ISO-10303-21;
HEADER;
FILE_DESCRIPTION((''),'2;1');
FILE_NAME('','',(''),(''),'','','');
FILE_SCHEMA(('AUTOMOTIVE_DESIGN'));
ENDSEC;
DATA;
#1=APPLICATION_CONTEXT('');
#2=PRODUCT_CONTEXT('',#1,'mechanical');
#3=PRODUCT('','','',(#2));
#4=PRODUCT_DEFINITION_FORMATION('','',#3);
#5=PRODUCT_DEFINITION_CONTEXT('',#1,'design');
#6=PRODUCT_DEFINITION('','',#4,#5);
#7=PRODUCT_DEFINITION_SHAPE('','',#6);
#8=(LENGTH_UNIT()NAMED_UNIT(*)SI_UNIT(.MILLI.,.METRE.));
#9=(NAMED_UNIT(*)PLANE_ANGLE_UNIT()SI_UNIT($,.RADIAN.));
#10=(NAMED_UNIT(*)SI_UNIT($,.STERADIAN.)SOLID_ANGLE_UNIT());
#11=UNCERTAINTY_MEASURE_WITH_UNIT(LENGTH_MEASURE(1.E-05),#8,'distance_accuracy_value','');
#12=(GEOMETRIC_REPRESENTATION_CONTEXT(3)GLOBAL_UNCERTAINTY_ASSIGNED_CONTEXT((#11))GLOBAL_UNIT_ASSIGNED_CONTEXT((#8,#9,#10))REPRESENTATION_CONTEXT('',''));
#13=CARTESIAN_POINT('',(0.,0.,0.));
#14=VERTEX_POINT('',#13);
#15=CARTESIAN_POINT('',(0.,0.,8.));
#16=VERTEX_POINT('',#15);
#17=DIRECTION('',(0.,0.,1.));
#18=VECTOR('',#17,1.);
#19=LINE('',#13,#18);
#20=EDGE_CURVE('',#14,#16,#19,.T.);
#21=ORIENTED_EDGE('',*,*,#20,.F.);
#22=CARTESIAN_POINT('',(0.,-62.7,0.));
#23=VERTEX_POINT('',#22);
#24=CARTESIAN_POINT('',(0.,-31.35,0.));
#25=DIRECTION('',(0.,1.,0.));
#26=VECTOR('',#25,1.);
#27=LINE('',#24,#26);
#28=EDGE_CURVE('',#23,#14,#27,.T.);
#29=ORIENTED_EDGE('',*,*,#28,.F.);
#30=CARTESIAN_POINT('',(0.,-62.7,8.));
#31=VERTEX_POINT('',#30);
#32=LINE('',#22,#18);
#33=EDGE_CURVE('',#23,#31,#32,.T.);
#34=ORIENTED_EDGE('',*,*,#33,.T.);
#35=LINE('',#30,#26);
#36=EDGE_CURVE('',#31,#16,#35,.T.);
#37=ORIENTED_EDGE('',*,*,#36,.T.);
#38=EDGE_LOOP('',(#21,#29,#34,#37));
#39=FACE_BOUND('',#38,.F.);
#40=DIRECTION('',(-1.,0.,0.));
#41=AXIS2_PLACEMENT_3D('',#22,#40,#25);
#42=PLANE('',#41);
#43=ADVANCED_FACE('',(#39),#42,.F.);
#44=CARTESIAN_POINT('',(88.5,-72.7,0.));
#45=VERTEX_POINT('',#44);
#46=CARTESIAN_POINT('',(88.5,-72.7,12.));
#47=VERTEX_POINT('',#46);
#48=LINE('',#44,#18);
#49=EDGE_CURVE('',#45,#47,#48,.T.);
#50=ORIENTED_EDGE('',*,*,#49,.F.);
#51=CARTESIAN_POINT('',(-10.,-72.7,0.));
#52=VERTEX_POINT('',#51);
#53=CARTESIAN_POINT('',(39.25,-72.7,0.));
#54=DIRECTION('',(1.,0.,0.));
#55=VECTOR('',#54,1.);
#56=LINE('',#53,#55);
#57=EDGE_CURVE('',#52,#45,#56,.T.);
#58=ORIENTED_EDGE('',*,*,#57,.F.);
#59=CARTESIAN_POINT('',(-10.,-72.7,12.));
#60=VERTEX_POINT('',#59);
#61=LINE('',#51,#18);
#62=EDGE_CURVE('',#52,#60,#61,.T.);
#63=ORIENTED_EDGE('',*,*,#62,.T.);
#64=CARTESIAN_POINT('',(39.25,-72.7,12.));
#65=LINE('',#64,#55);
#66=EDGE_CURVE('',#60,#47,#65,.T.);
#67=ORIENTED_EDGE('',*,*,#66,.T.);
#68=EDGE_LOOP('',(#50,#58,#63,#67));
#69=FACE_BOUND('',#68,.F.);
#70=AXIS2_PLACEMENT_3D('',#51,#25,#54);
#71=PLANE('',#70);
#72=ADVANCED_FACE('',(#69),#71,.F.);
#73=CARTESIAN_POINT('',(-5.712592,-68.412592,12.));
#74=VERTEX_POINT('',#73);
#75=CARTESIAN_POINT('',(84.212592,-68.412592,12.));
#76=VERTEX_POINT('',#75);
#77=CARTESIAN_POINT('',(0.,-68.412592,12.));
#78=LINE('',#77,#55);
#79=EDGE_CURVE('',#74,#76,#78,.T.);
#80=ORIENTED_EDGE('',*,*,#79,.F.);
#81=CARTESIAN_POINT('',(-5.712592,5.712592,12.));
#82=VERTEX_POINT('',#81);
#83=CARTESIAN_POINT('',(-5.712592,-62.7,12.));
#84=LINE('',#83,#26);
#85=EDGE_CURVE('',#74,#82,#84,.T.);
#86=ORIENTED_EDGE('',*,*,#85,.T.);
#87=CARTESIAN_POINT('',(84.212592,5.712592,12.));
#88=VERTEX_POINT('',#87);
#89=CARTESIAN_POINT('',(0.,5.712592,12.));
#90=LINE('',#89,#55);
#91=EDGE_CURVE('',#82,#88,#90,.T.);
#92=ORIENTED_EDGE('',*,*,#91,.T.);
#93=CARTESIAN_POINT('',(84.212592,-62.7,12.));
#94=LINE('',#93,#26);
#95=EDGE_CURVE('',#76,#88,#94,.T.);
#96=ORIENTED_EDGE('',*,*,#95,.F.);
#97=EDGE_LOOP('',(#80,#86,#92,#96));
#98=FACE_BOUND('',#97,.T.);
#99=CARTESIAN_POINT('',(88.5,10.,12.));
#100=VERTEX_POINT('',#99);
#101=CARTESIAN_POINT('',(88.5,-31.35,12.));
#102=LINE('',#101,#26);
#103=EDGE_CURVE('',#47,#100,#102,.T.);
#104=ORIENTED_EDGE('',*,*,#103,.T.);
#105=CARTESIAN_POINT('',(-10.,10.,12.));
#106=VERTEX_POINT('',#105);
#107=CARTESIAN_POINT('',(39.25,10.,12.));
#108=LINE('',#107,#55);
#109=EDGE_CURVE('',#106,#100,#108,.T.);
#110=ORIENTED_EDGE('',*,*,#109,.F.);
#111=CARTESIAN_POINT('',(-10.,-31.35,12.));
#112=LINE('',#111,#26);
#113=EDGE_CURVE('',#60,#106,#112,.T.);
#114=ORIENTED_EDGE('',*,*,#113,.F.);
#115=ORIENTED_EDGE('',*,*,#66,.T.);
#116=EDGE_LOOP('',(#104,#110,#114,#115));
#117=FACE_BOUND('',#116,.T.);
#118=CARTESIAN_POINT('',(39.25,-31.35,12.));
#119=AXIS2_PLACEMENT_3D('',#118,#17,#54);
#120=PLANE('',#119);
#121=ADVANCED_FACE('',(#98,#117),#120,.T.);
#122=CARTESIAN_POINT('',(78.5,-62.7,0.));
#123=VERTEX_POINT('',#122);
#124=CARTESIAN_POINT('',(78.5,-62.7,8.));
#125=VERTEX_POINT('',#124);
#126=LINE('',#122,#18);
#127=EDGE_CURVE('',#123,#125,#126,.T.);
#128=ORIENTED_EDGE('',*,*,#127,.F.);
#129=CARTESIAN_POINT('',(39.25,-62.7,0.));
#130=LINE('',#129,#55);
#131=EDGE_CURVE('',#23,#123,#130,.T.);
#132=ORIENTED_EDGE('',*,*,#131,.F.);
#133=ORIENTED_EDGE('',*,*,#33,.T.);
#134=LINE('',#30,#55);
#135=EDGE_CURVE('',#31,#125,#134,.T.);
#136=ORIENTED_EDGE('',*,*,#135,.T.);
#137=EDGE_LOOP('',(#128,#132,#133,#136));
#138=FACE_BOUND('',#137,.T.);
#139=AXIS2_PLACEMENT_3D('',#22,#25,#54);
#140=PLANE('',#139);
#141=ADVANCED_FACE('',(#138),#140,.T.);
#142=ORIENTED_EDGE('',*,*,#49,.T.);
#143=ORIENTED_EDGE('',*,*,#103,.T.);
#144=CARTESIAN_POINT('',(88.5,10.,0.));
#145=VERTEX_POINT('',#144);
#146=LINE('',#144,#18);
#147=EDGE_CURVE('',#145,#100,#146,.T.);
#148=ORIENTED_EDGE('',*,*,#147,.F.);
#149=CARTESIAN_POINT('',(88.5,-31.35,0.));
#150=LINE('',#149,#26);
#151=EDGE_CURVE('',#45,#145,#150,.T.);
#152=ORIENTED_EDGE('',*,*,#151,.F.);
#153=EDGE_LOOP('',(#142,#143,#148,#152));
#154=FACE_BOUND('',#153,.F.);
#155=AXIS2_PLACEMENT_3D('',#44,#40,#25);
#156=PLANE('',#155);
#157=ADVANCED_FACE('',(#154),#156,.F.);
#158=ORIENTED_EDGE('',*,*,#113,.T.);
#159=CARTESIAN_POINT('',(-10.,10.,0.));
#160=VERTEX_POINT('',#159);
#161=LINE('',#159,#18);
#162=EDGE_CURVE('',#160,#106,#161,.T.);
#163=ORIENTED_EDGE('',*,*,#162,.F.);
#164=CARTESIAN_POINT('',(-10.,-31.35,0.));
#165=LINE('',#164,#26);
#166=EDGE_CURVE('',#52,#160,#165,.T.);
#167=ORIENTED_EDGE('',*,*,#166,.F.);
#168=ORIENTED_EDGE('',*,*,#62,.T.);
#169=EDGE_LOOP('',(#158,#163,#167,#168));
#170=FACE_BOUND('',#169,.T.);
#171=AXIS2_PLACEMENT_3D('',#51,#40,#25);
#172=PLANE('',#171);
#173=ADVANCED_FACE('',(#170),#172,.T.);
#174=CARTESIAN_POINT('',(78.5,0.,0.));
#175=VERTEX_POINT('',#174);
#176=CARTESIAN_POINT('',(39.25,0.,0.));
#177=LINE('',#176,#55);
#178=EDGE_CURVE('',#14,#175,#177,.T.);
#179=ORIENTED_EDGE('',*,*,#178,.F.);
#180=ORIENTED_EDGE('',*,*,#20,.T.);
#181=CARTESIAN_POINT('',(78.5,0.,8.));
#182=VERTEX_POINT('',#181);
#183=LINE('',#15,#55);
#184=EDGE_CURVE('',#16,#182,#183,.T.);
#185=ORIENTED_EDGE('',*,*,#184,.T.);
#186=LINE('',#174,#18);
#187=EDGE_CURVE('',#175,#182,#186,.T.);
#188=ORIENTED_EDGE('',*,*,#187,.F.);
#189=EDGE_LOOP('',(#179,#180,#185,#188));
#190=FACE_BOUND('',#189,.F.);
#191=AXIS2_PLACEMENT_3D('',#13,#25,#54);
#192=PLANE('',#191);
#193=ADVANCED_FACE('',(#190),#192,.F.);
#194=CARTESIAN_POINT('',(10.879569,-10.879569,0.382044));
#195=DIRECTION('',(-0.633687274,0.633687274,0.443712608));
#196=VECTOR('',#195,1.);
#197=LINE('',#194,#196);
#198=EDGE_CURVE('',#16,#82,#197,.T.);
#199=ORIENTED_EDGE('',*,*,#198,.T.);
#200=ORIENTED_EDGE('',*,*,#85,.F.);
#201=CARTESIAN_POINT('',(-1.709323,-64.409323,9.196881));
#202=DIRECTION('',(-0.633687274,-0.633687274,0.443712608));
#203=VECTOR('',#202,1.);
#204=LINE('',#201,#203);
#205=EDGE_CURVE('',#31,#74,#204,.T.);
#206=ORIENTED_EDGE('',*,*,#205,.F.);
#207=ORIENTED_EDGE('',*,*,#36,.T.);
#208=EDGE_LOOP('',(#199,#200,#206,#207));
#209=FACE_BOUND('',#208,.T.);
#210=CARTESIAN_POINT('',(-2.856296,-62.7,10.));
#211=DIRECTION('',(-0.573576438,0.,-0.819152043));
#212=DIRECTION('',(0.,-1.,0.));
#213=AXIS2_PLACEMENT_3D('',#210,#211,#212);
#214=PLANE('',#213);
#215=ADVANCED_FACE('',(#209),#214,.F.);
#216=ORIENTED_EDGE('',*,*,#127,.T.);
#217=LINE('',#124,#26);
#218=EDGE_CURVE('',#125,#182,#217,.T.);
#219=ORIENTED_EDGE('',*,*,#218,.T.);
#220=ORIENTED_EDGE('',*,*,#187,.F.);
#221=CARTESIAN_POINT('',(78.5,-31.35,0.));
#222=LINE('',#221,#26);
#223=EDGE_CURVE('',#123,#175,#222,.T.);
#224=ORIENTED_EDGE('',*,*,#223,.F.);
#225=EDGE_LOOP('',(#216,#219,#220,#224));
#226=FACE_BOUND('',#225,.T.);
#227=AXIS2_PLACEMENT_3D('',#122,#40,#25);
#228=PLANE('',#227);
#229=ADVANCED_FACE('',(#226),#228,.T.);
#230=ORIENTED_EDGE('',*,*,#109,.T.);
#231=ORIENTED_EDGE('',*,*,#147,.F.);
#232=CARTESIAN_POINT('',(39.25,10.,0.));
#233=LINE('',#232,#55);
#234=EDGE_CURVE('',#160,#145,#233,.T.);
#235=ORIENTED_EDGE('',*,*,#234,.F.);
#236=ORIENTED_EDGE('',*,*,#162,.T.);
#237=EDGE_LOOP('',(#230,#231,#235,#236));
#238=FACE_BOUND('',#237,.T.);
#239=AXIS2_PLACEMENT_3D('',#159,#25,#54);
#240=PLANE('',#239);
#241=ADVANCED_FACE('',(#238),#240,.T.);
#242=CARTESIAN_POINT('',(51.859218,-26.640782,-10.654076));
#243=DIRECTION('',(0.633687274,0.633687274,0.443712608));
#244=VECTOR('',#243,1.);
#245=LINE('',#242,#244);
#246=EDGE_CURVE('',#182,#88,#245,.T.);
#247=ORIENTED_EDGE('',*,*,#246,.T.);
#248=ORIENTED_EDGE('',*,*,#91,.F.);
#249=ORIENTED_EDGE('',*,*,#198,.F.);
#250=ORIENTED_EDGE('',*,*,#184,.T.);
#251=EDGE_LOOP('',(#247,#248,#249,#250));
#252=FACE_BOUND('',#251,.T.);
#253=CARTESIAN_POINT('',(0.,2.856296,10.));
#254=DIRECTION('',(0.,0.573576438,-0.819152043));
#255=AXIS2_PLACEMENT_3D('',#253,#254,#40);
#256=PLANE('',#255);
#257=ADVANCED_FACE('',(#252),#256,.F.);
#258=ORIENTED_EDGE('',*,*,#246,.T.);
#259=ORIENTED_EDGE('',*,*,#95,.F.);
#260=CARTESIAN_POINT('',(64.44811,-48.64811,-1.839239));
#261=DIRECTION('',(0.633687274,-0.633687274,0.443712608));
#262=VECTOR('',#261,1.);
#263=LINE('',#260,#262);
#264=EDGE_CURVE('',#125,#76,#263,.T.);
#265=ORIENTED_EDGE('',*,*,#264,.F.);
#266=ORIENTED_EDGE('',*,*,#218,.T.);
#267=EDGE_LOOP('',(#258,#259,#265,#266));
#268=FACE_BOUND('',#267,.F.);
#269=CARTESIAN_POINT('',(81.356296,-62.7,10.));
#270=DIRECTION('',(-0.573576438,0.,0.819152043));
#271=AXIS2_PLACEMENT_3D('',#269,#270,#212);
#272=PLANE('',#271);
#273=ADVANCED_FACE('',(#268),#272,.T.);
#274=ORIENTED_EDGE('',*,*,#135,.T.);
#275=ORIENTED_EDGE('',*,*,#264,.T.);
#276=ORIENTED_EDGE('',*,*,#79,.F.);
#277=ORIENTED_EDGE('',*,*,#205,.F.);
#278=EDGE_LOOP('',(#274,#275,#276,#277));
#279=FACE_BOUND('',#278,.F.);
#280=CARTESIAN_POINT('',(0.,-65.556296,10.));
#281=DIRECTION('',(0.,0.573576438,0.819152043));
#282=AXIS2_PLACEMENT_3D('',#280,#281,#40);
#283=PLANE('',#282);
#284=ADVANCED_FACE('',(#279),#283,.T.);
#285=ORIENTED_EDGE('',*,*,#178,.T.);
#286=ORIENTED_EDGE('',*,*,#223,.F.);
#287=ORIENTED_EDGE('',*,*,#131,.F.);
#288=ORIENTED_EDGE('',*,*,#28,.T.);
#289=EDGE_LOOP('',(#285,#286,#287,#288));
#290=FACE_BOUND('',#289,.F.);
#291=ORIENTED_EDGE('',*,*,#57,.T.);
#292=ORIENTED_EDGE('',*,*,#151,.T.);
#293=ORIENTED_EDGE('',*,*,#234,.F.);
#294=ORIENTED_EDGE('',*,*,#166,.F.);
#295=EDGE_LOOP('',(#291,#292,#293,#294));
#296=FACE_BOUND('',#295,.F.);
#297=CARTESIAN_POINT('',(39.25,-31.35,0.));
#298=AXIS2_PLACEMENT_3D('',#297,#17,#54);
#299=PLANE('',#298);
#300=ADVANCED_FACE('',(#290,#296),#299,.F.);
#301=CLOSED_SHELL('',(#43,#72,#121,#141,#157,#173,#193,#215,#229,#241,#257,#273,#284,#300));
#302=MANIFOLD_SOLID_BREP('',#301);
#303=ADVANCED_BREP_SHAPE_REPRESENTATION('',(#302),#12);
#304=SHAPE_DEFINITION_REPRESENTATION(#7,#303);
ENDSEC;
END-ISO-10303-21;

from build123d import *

# Parameters (mm, degrees)
F0_W     = 98.5
F0_H     = 82.7
F0_W_2   = 78.5
F0_H_2   = 62.7
F1_DEPTH = 12
F2_SIZE2 = 5.712592
F2_SIZE  = 4


with BuildPart() as f1:
    # F0 (on Top) → F1 (new body)
    with BuildSketch(Plane.XY):
        with Locations((39.25, -31.35)):
            Rectangle(F0_W, F0_H)
        with Locations((39.25, -31.35)):
            Rectangle(F0_W_2, F0_H_2, mode=Mode.SUBTRACT)
    extrude(amount=F1_DEPTH)

    # F2
    f2_edges = [f1.edges().sort_by_distance(p)[0] for p in [
        (39.25, -62.7, 12),
        (78.5, -31.35, 12),
        (39.25, 0, 12),
        (0, -31.35, 12),
    ]]
    chamfer(f2_edges, length=F2_SIZE, length2=F2_SIZE2)


solid = f1.part
